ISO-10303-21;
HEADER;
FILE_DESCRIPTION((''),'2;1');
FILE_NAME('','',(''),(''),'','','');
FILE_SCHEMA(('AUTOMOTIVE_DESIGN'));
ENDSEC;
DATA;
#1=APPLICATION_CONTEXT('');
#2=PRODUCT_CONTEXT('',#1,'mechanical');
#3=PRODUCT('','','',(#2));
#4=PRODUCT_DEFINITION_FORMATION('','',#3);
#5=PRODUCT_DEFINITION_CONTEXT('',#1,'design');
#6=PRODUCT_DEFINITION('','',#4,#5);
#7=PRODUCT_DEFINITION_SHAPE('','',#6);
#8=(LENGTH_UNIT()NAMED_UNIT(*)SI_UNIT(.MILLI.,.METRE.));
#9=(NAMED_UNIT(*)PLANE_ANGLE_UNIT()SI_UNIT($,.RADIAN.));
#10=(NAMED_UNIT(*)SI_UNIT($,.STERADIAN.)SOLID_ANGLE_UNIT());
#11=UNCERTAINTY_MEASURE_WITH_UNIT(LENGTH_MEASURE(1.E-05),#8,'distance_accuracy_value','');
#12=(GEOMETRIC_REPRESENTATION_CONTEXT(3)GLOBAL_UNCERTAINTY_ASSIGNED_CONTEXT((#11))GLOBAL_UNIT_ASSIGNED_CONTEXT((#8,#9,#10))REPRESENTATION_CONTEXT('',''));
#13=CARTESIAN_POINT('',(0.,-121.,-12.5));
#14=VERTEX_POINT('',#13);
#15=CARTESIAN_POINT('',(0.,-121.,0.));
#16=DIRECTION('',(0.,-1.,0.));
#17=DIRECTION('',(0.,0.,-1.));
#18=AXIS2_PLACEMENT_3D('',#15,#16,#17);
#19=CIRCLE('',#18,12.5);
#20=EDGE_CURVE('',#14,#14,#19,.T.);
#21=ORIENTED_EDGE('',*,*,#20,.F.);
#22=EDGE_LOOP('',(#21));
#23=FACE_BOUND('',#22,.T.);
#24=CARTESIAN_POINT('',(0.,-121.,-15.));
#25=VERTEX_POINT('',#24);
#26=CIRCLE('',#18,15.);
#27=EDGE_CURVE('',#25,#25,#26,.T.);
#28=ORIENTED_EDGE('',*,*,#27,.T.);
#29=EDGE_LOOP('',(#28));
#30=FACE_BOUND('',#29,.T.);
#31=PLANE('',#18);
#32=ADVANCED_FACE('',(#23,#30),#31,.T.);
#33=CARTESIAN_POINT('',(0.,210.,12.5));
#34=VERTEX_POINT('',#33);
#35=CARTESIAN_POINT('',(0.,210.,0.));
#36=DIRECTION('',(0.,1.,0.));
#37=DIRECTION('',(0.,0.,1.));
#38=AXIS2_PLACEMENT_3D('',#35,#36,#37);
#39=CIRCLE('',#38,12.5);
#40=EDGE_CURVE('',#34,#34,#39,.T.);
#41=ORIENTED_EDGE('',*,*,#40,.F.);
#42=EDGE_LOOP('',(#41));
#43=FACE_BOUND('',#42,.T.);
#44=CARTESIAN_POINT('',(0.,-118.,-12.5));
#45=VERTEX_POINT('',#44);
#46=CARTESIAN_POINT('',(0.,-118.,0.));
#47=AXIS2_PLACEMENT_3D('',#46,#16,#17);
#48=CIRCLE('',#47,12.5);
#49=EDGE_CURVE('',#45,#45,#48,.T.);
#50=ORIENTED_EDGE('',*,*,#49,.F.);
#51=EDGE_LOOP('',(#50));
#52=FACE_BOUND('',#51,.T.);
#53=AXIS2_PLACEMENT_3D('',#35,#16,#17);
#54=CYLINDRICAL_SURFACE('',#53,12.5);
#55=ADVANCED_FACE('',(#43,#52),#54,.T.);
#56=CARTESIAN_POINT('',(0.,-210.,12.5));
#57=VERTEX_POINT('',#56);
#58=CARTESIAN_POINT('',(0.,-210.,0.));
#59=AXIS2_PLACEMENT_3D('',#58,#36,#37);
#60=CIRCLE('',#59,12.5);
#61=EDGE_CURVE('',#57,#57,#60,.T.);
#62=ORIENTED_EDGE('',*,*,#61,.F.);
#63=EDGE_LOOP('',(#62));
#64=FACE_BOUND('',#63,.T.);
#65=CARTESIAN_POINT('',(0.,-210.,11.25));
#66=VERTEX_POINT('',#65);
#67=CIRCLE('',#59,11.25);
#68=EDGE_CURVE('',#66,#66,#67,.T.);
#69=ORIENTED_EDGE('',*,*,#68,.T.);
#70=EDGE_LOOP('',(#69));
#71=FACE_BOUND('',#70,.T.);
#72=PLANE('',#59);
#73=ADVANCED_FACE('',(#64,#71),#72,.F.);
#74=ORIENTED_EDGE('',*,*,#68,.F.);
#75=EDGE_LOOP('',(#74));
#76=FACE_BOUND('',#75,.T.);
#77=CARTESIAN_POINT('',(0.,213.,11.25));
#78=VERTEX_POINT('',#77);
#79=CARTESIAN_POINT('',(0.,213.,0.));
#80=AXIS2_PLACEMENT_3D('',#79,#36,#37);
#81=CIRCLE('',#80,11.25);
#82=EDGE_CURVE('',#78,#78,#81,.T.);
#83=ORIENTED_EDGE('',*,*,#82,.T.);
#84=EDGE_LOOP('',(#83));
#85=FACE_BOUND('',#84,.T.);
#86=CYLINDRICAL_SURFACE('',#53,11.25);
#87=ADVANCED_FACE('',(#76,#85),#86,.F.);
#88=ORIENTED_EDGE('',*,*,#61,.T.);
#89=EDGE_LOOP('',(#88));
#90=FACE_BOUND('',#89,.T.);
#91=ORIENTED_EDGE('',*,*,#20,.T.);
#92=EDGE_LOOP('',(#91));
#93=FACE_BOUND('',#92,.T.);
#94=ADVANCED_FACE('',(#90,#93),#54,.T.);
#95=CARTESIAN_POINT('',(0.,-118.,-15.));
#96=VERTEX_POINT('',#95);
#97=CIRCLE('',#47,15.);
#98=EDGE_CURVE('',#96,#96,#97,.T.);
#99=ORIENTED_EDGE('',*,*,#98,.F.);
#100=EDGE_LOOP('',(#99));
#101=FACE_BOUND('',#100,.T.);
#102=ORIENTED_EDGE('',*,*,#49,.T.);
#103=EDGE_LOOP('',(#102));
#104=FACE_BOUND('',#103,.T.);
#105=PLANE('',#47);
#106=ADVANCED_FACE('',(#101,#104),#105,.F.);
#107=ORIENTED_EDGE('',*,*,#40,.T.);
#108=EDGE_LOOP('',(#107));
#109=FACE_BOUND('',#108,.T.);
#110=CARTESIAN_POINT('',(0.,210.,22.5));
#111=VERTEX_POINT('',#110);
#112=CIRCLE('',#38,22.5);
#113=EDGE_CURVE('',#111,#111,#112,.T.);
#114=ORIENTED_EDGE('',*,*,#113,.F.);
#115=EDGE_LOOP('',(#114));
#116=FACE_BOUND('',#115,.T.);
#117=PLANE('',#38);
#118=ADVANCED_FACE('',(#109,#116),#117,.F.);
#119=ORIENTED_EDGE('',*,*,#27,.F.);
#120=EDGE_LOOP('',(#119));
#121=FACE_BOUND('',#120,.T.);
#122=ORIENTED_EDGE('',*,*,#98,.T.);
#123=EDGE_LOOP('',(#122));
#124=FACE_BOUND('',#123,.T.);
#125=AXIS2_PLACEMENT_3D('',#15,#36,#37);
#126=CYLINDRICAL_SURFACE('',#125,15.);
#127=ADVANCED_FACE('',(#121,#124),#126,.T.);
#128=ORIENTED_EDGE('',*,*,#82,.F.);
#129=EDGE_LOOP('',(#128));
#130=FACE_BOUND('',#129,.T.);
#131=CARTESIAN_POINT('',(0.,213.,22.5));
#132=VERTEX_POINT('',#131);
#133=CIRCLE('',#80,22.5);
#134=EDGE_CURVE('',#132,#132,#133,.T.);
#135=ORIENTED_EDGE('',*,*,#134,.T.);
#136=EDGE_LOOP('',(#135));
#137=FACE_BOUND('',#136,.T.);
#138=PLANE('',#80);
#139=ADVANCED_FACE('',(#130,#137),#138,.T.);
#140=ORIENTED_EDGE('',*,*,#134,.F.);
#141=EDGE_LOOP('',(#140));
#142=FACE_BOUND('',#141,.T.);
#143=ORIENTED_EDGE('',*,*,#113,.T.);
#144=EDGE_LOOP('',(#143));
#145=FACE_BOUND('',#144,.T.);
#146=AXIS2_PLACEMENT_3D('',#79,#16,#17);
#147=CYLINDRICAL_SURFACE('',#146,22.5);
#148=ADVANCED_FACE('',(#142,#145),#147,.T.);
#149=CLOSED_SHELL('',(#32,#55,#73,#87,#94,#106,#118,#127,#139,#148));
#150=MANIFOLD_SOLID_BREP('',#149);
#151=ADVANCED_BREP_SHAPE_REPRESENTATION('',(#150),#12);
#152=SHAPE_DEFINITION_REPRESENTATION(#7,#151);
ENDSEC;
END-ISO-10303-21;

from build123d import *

# Parameters (mm, degrees)
SKETCH1_R           = 12.5
SKETCH1_R_2         = 11.25
BOSS_EXTRUDE1_DEPTH = 210
SKETCH2_R           = 22.5
SKETCH2_R_2         = 11.25
BOSS_EXTRUDE2_DEPTH = 3
BOSS_EXTRUDE3_START = 3
SKETCH3_R           = 15
SKETCH3_R_2         = 11.25
BOSS_EXTRUDE3_DEPTH = 3


with BuildPart() as part:
    # Sketch1 → Boss-Extrude1 (new, symmetric)
    with BuildSketch(Plane(origin=(0, 0, 0), x_dir=(1, 0, 0), z_dir=(0, 1, 0))):
        with Locations(Location((0, 0, 0), (0, 0, 270))):
            Circle(SKETCH1_R)
        with Locations(Location((0, 0, 0), (0, 0, 270))):
            Circle(SKETCH1_R_2, mode=Mode.SUBTRACT)
    extrude(amount=BOSS_EXTRUDE1_DEPTH, both=True)

    # Sketch2 → Boss-Extrude2 (add)
    with BuildSketch(Plane(origin=(0, 210, 0), x_dir=(1, 0, 0), z_dir=(0, 1, 0))):
        with Locations(Location((0, 0, 0), (0, 0, 270))):
            Circle(SKETCH2_R)
        with Locations(Location((0, 0, 0), (0, 0, 270))):
            Circle(SKETCH2_R_2, mode=Mode.SUBTRACT)
    extrude(amount=BOSS_EXTRUDE2_DEPTH)

    # Sketch3 → Boss-Extrude3 (add)
    with BuildSketch(Plane(origin=(0, -118, 0), x_dir=(-1, 0, 0), z_dir=(0, -1, 0)).offset(BOSS_EXTRUDE3_START)):
        with Locations(Location((0, 0, 0), (0, 0, 90))):
            Circle(SKETCH3_R)
        with Locations(Location((0, 0, 0), (0, 0, 270))):
            Circle(SKETCH3_R_2, mode=Mode.SUBTRACT)
    extrude(amount=-BOSS_EXTRUDE3_DEPTH)


solid = part.part
